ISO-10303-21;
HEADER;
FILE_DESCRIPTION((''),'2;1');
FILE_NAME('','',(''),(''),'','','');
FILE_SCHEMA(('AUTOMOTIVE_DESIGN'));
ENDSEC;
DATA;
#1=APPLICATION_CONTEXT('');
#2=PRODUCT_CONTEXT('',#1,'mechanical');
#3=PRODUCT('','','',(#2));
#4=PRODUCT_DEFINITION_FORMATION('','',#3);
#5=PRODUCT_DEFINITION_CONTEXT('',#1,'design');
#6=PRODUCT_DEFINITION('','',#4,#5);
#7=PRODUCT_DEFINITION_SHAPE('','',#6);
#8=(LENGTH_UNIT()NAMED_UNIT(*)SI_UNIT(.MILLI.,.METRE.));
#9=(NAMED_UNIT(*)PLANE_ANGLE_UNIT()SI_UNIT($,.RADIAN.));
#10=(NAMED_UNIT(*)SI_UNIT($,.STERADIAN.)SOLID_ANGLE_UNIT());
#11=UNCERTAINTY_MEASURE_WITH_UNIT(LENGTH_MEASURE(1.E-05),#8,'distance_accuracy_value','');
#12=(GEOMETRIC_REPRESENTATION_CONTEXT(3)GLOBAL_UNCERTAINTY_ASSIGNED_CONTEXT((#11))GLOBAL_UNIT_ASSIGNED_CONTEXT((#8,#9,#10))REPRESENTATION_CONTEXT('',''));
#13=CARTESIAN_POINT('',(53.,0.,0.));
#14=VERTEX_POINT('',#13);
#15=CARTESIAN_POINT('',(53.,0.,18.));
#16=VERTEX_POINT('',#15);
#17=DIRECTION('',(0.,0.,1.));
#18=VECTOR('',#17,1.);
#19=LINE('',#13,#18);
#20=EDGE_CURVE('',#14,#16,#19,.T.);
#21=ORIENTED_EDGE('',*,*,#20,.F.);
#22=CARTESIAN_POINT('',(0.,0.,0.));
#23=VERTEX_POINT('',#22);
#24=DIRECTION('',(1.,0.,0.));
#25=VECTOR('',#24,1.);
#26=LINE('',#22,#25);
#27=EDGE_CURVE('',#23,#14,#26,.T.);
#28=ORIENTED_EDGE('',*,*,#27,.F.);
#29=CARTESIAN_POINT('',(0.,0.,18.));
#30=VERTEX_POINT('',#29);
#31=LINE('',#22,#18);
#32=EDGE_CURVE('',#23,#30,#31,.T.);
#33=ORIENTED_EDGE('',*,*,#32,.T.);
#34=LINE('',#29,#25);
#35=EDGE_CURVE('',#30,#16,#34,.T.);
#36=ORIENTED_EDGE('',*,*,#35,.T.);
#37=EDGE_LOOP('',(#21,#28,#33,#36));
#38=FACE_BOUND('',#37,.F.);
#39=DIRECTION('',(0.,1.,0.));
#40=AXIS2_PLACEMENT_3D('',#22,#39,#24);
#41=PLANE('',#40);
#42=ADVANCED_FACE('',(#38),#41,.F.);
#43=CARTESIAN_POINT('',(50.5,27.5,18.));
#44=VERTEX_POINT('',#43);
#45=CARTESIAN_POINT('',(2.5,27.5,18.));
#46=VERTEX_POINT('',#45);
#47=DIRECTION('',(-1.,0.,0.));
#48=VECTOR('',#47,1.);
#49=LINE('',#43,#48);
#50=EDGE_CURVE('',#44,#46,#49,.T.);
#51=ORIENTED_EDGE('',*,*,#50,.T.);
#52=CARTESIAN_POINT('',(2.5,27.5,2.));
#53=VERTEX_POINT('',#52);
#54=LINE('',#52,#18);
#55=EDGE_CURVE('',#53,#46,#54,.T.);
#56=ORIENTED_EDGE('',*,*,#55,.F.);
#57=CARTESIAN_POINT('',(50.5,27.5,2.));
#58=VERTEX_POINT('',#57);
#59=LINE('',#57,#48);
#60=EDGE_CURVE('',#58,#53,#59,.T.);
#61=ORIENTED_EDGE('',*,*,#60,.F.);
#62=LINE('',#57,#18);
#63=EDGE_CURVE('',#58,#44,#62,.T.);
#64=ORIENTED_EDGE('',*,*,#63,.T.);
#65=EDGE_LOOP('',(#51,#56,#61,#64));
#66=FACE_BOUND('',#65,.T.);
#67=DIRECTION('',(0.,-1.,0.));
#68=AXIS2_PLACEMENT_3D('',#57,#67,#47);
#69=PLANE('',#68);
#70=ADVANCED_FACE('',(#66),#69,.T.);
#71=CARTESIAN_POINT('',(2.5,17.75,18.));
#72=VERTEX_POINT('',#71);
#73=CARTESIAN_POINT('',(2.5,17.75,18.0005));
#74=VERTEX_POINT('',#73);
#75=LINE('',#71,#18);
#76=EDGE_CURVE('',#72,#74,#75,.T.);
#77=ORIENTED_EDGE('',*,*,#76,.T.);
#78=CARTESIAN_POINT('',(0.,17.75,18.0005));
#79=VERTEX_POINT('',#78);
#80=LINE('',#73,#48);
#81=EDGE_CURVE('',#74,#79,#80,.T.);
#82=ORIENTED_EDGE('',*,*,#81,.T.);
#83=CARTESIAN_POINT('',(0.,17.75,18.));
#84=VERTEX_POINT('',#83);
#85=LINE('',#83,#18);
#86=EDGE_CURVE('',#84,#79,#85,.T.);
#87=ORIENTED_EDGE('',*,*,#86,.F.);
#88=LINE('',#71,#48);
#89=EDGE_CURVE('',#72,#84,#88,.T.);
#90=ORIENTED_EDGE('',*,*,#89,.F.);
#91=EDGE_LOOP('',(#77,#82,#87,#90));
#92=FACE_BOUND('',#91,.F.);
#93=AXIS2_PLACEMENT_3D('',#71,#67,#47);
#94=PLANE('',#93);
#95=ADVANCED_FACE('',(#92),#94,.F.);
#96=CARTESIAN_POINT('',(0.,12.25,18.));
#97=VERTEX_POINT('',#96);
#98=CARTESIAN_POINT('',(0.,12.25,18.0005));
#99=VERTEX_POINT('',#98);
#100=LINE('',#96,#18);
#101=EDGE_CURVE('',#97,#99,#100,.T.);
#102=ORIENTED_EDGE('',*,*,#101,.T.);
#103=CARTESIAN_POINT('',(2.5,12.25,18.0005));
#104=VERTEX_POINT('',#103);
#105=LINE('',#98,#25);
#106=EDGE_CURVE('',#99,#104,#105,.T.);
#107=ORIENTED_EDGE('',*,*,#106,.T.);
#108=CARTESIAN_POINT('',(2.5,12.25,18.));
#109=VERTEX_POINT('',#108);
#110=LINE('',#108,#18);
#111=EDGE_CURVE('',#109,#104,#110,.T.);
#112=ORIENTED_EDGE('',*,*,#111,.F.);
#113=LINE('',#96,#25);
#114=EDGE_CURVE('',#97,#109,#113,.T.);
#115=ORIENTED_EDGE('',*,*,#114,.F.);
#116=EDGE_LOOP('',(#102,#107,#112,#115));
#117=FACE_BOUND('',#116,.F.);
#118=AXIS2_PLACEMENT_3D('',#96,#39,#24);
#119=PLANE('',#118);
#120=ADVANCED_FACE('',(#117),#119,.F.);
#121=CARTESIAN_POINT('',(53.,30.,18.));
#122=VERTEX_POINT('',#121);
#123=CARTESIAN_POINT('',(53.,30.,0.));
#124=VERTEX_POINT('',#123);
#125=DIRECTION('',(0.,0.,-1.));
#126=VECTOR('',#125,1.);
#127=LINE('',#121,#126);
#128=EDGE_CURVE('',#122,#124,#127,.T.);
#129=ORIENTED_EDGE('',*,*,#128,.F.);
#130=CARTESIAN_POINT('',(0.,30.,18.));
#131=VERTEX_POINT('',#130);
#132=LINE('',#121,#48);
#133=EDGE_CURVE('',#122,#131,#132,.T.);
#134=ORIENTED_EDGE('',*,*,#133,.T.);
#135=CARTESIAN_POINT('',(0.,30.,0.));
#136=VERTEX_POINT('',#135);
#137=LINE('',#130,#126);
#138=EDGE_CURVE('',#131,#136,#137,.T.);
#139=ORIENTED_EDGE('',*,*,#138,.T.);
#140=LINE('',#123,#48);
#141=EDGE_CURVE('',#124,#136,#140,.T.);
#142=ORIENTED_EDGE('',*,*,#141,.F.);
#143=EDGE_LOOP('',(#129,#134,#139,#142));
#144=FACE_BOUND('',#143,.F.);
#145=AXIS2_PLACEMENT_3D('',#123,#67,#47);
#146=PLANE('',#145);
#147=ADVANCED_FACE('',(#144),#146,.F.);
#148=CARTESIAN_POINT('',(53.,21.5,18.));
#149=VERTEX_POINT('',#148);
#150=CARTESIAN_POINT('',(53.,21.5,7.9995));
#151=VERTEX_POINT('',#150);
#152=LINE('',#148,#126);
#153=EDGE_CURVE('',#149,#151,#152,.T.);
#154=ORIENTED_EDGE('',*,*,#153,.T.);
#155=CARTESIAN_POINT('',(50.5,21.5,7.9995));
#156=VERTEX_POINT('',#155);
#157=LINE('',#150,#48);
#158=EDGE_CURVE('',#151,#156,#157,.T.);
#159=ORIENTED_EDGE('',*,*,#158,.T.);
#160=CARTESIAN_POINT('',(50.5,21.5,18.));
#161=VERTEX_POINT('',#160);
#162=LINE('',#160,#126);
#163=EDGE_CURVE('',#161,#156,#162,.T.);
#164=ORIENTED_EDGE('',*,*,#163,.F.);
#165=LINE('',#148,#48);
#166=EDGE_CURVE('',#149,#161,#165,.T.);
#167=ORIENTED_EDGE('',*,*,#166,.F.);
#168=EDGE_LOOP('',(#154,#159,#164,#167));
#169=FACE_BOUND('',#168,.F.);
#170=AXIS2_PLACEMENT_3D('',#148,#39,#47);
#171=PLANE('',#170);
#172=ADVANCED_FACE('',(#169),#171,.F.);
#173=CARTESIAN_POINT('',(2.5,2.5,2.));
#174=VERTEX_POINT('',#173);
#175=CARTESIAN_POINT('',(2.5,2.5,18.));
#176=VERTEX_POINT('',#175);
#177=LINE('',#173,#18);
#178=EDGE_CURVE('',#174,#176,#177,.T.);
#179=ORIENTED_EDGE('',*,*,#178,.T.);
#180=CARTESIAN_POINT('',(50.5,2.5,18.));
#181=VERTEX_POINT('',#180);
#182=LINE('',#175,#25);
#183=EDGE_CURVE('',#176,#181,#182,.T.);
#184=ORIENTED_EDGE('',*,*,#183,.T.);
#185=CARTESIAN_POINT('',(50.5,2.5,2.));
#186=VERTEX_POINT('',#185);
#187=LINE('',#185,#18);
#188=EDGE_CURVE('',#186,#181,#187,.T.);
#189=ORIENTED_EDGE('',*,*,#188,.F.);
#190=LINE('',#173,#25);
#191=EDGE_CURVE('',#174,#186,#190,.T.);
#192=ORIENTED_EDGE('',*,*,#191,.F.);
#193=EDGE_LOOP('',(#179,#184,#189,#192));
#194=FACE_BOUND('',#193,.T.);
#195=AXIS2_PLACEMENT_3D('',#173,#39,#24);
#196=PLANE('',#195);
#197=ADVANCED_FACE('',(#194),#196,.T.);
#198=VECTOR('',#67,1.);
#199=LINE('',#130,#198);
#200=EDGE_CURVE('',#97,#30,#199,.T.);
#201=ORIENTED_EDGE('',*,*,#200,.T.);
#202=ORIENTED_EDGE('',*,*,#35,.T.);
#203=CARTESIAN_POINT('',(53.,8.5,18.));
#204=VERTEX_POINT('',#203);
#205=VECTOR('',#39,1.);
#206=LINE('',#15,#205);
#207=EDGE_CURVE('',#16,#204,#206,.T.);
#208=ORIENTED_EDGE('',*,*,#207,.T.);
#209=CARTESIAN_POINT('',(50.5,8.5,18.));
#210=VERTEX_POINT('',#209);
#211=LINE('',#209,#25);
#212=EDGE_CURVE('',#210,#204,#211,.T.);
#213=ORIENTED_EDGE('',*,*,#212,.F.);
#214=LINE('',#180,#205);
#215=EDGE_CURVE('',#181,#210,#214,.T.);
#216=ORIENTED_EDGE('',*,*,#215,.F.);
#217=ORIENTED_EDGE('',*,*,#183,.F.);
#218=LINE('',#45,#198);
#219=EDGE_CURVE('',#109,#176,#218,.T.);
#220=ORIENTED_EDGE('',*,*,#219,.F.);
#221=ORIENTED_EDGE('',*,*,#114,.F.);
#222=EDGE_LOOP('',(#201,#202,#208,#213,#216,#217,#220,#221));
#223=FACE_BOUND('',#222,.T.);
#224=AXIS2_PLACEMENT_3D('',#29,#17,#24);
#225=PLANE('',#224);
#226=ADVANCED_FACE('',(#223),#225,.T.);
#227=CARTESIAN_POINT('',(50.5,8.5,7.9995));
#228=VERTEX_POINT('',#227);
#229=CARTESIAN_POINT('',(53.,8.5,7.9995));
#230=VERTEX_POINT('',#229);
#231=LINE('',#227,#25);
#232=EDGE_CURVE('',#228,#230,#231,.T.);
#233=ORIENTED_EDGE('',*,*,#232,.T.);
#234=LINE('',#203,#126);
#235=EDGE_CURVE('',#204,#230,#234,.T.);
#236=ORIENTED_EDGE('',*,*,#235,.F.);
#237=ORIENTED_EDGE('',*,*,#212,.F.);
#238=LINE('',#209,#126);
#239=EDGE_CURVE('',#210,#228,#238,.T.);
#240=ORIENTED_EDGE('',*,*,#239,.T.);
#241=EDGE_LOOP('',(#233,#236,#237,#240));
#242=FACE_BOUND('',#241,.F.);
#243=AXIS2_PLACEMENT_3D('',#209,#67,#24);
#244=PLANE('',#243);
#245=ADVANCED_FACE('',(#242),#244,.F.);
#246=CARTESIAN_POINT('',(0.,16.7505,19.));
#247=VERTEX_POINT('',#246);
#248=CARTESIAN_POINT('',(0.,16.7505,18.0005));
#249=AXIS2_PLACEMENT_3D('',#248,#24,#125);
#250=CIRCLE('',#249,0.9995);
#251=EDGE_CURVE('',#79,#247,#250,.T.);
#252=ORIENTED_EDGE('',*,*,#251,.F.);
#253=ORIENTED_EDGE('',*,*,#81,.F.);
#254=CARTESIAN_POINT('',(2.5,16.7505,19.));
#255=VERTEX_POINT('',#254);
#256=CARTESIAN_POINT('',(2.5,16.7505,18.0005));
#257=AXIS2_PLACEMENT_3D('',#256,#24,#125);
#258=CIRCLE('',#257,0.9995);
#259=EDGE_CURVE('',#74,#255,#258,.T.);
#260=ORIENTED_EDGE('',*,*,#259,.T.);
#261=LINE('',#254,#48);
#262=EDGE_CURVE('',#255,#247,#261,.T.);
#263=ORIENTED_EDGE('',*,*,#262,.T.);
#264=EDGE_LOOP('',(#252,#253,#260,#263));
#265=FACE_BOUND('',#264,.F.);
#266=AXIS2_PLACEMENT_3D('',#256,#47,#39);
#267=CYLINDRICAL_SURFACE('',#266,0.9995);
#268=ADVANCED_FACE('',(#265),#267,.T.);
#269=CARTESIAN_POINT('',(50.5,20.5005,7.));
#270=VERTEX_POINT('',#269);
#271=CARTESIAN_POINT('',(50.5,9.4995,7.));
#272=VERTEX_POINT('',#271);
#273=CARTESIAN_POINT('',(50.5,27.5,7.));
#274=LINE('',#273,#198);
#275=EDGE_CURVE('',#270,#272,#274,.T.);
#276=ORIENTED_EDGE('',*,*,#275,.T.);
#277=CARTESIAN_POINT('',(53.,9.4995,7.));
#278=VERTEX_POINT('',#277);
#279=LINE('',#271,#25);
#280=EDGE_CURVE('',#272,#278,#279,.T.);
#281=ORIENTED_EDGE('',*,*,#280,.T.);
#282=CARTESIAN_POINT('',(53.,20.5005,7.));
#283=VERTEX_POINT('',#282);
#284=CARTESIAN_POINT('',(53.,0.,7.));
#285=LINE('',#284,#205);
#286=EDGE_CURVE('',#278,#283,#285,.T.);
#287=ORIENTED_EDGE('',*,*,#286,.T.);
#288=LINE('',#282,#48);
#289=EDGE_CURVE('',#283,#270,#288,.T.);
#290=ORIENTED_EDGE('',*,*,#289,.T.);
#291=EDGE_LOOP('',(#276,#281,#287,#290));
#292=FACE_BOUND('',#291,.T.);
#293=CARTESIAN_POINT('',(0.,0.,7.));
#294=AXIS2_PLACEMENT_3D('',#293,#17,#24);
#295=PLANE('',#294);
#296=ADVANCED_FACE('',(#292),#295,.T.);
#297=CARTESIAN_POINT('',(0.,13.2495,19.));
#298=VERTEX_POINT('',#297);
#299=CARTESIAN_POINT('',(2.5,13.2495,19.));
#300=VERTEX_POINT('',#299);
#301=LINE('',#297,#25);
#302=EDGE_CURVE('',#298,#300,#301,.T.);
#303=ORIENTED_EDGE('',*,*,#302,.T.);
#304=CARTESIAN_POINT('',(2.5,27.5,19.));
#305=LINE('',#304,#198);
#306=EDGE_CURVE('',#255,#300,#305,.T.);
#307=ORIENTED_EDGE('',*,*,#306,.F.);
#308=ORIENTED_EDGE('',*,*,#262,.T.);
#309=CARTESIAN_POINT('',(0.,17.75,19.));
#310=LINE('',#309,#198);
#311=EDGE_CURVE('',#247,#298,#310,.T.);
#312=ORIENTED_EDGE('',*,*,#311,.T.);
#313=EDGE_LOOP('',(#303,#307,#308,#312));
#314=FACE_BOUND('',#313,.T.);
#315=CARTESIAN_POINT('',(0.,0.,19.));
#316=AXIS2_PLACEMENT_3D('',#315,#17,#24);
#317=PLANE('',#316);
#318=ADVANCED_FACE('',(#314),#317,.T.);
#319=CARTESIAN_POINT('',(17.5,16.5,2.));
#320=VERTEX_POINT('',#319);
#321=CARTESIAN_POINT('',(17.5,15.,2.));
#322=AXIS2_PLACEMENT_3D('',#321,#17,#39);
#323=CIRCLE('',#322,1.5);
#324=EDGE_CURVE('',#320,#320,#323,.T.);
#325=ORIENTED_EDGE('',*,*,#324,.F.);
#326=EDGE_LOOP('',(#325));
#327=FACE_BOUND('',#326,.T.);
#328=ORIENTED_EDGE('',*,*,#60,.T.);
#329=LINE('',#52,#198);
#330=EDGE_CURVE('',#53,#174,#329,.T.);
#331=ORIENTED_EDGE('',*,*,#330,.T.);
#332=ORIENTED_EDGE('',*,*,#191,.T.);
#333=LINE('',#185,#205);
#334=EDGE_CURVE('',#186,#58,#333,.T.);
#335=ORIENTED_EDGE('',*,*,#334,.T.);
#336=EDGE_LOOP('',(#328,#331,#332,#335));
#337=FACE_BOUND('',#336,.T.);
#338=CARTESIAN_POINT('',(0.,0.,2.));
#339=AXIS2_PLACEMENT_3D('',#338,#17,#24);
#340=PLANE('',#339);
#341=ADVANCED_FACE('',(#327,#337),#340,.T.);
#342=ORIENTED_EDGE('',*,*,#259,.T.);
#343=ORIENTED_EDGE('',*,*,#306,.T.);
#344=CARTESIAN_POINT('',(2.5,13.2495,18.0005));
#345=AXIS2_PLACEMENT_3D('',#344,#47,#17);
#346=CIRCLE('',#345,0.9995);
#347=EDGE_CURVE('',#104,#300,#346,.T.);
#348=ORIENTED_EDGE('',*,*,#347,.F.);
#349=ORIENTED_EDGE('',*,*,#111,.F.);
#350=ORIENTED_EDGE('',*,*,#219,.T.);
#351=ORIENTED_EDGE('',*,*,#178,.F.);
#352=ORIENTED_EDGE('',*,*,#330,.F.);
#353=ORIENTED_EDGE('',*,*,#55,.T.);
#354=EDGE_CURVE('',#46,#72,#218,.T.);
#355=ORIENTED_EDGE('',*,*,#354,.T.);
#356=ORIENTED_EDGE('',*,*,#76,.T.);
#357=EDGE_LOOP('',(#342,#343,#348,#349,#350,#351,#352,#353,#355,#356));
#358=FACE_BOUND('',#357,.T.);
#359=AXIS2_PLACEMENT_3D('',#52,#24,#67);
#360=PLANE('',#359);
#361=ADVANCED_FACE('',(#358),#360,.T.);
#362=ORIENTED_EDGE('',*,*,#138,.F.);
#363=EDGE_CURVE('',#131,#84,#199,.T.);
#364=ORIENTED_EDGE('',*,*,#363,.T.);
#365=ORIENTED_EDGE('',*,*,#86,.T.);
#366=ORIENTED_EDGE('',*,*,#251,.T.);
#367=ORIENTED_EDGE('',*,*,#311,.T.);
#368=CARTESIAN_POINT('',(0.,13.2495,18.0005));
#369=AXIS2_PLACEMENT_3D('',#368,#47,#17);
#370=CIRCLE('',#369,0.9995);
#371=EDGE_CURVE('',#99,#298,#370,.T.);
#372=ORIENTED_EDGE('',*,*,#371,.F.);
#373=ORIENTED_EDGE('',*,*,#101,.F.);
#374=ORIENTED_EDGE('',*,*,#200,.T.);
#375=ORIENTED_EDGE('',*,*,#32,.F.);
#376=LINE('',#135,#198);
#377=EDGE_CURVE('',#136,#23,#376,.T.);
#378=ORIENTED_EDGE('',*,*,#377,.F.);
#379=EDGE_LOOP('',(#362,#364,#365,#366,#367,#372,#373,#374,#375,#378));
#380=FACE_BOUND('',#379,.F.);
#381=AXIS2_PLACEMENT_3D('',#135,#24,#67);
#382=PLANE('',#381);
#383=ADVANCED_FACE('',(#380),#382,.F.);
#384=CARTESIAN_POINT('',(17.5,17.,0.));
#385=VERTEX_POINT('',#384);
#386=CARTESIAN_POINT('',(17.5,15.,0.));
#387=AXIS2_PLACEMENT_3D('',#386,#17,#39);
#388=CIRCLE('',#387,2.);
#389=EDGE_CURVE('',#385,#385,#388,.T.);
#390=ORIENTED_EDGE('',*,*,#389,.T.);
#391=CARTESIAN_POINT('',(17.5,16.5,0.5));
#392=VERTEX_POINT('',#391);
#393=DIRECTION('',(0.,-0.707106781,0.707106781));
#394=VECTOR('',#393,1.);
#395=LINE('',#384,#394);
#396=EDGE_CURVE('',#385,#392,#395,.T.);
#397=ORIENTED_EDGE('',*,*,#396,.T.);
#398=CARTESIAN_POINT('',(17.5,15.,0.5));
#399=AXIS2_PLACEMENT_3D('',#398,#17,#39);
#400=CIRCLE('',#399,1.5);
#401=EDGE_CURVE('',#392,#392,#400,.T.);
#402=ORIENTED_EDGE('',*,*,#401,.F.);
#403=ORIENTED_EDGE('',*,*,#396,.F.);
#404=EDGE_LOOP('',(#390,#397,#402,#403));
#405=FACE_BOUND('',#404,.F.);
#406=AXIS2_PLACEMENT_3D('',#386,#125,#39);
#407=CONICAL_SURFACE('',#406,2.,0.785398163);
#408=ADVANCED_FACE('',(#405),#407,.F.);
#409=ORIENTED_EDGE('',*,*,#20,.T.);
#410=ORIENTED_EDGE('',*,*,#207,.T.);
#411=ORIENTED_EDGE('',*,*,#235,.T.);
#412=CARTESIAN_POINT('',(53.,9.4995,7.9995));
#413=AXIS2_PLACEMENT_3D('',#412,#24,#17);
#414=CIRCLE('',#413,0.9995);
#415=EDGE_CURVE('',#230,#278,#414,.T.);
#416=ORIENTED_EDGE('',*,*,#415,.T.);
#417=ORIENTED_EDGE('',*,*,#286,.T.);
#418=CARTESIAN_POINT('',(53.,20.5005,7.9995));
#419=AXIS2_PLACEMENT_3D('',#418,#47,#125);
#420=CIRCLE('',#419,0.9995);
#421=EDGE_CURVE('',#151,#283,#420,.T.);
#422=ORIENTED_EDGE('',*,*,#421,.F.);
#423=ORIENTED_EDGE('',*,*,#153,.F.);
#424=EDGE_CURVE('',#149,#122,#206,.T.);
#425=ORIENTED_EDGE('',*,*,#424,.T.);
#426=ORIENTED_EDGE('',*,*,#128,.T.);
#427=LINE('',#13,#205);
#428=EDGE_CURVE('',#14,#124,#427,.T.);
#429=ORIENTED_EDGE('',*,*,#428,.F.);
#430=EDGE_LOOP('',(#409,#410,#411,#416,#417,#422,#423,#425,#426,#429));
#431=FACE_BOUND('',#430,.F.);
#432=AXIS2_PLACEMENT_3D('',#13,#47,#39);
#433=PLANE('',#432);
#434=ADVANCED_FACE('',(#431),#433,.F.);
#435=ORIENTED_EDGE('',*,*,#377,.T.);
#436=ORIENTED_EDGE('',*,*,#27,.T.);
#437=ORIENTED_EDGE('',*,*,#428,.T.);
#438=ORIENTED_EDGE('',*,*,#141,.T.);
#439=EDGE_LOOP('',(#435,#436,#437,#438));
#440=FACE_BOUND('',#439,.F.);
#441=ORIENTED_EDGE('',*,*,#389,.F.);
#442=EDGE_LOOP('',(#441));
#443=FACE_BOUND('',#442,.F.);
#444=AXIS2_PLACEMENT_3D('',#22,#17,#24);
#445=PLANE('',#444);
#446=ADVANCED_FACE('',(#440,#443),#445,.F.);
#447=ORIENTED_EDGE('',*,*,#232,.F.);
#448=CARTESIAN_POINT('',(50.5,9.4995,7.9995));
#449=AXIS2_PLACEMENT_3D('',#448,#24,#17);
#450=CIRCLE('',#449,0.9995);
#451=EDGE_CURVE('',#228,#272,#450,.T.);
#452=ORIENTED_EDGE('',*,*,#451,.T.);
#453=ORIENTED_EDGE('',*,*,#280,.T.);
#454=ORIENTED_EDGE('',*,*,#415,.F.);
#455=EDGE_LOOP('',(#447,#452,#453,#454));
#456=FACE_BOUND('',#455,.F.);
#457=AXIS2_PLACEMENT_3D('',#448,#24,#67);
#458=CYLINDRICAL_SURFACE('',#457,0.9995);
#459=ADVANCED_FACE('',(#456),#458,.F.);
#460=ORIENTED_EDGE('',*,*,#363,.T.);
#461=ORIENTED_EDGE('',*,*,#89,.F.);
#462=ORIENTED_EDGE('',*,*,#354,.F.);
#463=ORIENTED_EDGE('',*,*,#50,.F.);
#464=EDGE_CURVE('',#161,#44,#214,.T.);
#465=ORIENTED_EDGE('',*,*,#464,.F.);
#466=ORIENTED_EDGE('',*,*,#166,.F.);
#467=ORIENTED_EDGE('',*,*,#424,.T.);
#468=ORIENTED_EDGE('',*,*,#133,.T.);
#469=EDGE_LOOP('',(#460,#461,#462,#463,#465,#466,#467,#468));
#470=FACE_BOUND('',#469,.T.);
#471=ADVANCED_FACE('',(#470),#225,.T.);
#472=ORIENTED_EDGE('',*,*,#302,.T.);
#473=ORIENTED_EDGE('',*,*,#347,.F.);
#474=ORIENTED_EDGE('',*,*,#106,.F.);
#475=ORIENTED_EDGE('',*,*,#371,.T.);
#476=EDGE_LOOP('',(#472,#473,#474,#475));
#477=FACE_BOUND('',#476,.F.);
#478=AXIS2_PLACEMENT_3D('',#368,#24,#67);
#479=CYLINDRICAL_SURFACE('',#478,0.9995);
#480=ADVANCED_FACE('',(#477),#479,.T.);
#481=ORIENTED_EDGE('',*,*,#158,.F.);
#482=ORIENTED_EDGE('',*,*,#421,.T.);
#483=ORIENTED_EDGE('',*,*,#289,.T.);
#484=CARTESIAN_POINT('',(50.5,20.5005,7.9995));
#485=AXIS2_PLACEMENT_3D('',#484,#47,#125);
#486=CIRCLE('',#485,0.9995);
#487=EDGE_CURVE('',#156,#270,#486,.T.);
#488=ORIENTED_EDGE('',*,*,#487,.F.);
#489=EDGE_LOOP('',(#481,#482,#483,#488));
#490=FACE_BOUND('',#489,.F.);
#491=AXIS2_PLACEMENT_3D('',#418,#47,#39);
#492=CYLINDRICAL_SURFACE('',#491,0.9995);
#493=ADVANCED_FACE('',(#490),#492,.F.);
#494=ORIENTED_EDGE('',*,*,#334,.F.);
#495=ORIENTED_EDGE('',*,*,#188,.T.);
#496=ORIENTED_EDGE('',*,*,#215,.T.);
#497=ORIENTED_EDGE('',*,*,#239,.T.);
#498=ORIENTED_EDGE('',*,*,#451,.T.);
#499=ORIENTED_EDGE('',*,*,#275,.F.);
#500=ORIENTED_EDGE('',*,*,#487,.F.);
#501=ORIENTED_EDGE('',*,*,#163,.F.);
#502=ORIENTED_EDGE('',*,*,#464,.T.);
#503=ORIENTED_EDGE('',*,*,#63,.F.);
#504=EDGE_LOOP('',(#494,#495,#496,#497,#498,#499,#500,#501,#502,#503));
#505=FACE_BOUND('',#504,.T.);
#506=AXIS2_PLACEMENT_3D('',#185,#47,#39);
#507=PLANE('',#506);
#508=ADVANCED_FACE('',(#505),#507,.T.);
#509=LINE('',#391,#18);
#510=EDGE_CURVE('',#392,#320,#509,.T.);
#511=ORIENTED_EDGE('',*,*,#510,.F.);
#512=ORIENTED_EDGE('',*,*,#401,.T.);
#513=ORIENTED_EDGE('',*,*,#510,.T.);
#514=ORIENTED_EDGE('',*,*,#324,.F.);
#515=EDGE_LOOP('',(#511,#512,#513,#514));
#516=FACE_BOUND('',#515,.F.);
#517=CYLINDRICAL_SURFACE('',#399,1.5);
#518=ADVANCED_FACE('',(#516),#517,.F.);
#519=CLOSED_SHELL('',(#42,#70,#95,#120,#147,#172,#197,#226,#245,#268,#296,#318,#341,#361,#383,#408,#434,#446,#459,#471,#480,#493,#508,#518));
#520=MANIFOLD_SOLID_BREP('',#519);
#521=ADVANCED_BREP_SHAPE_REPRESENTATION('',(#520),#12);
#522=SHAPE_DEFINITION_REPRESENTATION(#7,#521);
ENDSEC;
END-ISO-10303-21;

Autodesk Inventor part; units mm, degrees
ref_plane "YZ Plane" through (0, 0, 0) normal (1, 0, 0) x (0, 1, 0)
ref_plane "XZ Plane" through (0, 0, 0) normal (0, 1, 0) x (-1, 0, 0)
ref_plane "XY Plane" through (0, 0, 0) normal (0, 0, 1) x (1, 0, 0)
sketch "Skizze1" plane through (0, 0, 0) normal (0, 0, 1) x (1, 0, 0)
  line L0 (0, 0) -> (53, 0)
  line L1 (53, 0) -> (53, 30)
  line L2 (53, 30) -> (0, 30)
  line L3 (0, 30) -> (0, 0)
  dimension "d0" = 30
  dimension "d1" = 53
extrude "Extrusion1" add sketch "Skizze1" along normal blind 2
sketch "Skizze2" plane through (0, 0, 2) normal (0, 0, 1) x (1, 0, 0)
  line L0 (0, 0) -> (53, 0)
  line L1 (53, 0) -> (53, 30)
  line L2 (53, 30) -> (0, 30)
  line L3 (0, 30) -> (0, 0)
  line L4 (2.5, 2.5) -> (50.5, 2.5)
  line L5 (50.5, 2.5) -> (50.5, 27.5)
  line L6 (50.5, 27.5) -> (2.5, 27.5)
  line L7 (2.5, 27.5) -> (2.5, 2.5)
  dimension "d4" = 25
  dimension "d5" = 48
  dimension "d6" = 2.5
  dimension "d7" = 2.5
  dimension "d8" = 2.5
  dimension "d9" = 2.5
extrude "Extrusion2" add sketch "Skizze2" along normal blind 16
sketch "Skizze8" plane through (0, 0, 18) normal (0, 0, 1) x (1, 0, 0)
  line L0 (50.5, 27.5) -> (50.5, 2.5) projected
  line L1 (53, 0) -> (53, 30) projected
  line L2 (50.5, 8.5) -> (53, 8.5)
  line L3 (53, 8.5) -> (53, 21.5)
  line L4 (53, 21.5) -> (50.5, 21.5)
  line L5 (50.5, 21.5) -> (50.5, 8.5)
  line L6 (0, 0) -> (53, 0) projected
  line L7 (53, 30) -> (0, 30) projected
  dimension "d49" = 13
  dimension "d50" = 8.5
  dimension "d51" = 8.5
extrude "Extrusion8" cut sketch "Skizze8" against normal blind 11
hole "Bohrung2" at (17.5, 15, 0) direction (0, 0, 1) diameter 3 end through all countersink diameter 4 countersink angle 90
sketch "Skizze9" plane through (0, 0, 18) normal (0, 0, 1) x (1, 0, 0)
  line L0 (2.5, 27.5) -> (2.5, 2.5) projected
  line L1 (0, 12.25) -> (2.5, 12.25)
  line L2 (2.5, 12.25) -> (2.5, 17.75)
  line L3 (2.5, 17.75) -> (0, 17.75)
  line L4 (0, 17.75) -> (0, 12.25)
  line L5 (0, 0) -> (53, 0) projected
  line L6 (53, 30) -> (0, 30) projected
  dimension "d63" = 5.5
  dimension "d64" = 12.25
  dimension "d65" = 12.25
extrude "Extrusion9" add sketch "Skizze9" along normal blind 1
fillet "Rundung2" radius 1 4 edges at (1.25, 12.25, 19) (1.25, 17.75, 19) (51.75, 21.5, 7) (51.75, 8.5, 7)
properties part number "V2_oberteil"
